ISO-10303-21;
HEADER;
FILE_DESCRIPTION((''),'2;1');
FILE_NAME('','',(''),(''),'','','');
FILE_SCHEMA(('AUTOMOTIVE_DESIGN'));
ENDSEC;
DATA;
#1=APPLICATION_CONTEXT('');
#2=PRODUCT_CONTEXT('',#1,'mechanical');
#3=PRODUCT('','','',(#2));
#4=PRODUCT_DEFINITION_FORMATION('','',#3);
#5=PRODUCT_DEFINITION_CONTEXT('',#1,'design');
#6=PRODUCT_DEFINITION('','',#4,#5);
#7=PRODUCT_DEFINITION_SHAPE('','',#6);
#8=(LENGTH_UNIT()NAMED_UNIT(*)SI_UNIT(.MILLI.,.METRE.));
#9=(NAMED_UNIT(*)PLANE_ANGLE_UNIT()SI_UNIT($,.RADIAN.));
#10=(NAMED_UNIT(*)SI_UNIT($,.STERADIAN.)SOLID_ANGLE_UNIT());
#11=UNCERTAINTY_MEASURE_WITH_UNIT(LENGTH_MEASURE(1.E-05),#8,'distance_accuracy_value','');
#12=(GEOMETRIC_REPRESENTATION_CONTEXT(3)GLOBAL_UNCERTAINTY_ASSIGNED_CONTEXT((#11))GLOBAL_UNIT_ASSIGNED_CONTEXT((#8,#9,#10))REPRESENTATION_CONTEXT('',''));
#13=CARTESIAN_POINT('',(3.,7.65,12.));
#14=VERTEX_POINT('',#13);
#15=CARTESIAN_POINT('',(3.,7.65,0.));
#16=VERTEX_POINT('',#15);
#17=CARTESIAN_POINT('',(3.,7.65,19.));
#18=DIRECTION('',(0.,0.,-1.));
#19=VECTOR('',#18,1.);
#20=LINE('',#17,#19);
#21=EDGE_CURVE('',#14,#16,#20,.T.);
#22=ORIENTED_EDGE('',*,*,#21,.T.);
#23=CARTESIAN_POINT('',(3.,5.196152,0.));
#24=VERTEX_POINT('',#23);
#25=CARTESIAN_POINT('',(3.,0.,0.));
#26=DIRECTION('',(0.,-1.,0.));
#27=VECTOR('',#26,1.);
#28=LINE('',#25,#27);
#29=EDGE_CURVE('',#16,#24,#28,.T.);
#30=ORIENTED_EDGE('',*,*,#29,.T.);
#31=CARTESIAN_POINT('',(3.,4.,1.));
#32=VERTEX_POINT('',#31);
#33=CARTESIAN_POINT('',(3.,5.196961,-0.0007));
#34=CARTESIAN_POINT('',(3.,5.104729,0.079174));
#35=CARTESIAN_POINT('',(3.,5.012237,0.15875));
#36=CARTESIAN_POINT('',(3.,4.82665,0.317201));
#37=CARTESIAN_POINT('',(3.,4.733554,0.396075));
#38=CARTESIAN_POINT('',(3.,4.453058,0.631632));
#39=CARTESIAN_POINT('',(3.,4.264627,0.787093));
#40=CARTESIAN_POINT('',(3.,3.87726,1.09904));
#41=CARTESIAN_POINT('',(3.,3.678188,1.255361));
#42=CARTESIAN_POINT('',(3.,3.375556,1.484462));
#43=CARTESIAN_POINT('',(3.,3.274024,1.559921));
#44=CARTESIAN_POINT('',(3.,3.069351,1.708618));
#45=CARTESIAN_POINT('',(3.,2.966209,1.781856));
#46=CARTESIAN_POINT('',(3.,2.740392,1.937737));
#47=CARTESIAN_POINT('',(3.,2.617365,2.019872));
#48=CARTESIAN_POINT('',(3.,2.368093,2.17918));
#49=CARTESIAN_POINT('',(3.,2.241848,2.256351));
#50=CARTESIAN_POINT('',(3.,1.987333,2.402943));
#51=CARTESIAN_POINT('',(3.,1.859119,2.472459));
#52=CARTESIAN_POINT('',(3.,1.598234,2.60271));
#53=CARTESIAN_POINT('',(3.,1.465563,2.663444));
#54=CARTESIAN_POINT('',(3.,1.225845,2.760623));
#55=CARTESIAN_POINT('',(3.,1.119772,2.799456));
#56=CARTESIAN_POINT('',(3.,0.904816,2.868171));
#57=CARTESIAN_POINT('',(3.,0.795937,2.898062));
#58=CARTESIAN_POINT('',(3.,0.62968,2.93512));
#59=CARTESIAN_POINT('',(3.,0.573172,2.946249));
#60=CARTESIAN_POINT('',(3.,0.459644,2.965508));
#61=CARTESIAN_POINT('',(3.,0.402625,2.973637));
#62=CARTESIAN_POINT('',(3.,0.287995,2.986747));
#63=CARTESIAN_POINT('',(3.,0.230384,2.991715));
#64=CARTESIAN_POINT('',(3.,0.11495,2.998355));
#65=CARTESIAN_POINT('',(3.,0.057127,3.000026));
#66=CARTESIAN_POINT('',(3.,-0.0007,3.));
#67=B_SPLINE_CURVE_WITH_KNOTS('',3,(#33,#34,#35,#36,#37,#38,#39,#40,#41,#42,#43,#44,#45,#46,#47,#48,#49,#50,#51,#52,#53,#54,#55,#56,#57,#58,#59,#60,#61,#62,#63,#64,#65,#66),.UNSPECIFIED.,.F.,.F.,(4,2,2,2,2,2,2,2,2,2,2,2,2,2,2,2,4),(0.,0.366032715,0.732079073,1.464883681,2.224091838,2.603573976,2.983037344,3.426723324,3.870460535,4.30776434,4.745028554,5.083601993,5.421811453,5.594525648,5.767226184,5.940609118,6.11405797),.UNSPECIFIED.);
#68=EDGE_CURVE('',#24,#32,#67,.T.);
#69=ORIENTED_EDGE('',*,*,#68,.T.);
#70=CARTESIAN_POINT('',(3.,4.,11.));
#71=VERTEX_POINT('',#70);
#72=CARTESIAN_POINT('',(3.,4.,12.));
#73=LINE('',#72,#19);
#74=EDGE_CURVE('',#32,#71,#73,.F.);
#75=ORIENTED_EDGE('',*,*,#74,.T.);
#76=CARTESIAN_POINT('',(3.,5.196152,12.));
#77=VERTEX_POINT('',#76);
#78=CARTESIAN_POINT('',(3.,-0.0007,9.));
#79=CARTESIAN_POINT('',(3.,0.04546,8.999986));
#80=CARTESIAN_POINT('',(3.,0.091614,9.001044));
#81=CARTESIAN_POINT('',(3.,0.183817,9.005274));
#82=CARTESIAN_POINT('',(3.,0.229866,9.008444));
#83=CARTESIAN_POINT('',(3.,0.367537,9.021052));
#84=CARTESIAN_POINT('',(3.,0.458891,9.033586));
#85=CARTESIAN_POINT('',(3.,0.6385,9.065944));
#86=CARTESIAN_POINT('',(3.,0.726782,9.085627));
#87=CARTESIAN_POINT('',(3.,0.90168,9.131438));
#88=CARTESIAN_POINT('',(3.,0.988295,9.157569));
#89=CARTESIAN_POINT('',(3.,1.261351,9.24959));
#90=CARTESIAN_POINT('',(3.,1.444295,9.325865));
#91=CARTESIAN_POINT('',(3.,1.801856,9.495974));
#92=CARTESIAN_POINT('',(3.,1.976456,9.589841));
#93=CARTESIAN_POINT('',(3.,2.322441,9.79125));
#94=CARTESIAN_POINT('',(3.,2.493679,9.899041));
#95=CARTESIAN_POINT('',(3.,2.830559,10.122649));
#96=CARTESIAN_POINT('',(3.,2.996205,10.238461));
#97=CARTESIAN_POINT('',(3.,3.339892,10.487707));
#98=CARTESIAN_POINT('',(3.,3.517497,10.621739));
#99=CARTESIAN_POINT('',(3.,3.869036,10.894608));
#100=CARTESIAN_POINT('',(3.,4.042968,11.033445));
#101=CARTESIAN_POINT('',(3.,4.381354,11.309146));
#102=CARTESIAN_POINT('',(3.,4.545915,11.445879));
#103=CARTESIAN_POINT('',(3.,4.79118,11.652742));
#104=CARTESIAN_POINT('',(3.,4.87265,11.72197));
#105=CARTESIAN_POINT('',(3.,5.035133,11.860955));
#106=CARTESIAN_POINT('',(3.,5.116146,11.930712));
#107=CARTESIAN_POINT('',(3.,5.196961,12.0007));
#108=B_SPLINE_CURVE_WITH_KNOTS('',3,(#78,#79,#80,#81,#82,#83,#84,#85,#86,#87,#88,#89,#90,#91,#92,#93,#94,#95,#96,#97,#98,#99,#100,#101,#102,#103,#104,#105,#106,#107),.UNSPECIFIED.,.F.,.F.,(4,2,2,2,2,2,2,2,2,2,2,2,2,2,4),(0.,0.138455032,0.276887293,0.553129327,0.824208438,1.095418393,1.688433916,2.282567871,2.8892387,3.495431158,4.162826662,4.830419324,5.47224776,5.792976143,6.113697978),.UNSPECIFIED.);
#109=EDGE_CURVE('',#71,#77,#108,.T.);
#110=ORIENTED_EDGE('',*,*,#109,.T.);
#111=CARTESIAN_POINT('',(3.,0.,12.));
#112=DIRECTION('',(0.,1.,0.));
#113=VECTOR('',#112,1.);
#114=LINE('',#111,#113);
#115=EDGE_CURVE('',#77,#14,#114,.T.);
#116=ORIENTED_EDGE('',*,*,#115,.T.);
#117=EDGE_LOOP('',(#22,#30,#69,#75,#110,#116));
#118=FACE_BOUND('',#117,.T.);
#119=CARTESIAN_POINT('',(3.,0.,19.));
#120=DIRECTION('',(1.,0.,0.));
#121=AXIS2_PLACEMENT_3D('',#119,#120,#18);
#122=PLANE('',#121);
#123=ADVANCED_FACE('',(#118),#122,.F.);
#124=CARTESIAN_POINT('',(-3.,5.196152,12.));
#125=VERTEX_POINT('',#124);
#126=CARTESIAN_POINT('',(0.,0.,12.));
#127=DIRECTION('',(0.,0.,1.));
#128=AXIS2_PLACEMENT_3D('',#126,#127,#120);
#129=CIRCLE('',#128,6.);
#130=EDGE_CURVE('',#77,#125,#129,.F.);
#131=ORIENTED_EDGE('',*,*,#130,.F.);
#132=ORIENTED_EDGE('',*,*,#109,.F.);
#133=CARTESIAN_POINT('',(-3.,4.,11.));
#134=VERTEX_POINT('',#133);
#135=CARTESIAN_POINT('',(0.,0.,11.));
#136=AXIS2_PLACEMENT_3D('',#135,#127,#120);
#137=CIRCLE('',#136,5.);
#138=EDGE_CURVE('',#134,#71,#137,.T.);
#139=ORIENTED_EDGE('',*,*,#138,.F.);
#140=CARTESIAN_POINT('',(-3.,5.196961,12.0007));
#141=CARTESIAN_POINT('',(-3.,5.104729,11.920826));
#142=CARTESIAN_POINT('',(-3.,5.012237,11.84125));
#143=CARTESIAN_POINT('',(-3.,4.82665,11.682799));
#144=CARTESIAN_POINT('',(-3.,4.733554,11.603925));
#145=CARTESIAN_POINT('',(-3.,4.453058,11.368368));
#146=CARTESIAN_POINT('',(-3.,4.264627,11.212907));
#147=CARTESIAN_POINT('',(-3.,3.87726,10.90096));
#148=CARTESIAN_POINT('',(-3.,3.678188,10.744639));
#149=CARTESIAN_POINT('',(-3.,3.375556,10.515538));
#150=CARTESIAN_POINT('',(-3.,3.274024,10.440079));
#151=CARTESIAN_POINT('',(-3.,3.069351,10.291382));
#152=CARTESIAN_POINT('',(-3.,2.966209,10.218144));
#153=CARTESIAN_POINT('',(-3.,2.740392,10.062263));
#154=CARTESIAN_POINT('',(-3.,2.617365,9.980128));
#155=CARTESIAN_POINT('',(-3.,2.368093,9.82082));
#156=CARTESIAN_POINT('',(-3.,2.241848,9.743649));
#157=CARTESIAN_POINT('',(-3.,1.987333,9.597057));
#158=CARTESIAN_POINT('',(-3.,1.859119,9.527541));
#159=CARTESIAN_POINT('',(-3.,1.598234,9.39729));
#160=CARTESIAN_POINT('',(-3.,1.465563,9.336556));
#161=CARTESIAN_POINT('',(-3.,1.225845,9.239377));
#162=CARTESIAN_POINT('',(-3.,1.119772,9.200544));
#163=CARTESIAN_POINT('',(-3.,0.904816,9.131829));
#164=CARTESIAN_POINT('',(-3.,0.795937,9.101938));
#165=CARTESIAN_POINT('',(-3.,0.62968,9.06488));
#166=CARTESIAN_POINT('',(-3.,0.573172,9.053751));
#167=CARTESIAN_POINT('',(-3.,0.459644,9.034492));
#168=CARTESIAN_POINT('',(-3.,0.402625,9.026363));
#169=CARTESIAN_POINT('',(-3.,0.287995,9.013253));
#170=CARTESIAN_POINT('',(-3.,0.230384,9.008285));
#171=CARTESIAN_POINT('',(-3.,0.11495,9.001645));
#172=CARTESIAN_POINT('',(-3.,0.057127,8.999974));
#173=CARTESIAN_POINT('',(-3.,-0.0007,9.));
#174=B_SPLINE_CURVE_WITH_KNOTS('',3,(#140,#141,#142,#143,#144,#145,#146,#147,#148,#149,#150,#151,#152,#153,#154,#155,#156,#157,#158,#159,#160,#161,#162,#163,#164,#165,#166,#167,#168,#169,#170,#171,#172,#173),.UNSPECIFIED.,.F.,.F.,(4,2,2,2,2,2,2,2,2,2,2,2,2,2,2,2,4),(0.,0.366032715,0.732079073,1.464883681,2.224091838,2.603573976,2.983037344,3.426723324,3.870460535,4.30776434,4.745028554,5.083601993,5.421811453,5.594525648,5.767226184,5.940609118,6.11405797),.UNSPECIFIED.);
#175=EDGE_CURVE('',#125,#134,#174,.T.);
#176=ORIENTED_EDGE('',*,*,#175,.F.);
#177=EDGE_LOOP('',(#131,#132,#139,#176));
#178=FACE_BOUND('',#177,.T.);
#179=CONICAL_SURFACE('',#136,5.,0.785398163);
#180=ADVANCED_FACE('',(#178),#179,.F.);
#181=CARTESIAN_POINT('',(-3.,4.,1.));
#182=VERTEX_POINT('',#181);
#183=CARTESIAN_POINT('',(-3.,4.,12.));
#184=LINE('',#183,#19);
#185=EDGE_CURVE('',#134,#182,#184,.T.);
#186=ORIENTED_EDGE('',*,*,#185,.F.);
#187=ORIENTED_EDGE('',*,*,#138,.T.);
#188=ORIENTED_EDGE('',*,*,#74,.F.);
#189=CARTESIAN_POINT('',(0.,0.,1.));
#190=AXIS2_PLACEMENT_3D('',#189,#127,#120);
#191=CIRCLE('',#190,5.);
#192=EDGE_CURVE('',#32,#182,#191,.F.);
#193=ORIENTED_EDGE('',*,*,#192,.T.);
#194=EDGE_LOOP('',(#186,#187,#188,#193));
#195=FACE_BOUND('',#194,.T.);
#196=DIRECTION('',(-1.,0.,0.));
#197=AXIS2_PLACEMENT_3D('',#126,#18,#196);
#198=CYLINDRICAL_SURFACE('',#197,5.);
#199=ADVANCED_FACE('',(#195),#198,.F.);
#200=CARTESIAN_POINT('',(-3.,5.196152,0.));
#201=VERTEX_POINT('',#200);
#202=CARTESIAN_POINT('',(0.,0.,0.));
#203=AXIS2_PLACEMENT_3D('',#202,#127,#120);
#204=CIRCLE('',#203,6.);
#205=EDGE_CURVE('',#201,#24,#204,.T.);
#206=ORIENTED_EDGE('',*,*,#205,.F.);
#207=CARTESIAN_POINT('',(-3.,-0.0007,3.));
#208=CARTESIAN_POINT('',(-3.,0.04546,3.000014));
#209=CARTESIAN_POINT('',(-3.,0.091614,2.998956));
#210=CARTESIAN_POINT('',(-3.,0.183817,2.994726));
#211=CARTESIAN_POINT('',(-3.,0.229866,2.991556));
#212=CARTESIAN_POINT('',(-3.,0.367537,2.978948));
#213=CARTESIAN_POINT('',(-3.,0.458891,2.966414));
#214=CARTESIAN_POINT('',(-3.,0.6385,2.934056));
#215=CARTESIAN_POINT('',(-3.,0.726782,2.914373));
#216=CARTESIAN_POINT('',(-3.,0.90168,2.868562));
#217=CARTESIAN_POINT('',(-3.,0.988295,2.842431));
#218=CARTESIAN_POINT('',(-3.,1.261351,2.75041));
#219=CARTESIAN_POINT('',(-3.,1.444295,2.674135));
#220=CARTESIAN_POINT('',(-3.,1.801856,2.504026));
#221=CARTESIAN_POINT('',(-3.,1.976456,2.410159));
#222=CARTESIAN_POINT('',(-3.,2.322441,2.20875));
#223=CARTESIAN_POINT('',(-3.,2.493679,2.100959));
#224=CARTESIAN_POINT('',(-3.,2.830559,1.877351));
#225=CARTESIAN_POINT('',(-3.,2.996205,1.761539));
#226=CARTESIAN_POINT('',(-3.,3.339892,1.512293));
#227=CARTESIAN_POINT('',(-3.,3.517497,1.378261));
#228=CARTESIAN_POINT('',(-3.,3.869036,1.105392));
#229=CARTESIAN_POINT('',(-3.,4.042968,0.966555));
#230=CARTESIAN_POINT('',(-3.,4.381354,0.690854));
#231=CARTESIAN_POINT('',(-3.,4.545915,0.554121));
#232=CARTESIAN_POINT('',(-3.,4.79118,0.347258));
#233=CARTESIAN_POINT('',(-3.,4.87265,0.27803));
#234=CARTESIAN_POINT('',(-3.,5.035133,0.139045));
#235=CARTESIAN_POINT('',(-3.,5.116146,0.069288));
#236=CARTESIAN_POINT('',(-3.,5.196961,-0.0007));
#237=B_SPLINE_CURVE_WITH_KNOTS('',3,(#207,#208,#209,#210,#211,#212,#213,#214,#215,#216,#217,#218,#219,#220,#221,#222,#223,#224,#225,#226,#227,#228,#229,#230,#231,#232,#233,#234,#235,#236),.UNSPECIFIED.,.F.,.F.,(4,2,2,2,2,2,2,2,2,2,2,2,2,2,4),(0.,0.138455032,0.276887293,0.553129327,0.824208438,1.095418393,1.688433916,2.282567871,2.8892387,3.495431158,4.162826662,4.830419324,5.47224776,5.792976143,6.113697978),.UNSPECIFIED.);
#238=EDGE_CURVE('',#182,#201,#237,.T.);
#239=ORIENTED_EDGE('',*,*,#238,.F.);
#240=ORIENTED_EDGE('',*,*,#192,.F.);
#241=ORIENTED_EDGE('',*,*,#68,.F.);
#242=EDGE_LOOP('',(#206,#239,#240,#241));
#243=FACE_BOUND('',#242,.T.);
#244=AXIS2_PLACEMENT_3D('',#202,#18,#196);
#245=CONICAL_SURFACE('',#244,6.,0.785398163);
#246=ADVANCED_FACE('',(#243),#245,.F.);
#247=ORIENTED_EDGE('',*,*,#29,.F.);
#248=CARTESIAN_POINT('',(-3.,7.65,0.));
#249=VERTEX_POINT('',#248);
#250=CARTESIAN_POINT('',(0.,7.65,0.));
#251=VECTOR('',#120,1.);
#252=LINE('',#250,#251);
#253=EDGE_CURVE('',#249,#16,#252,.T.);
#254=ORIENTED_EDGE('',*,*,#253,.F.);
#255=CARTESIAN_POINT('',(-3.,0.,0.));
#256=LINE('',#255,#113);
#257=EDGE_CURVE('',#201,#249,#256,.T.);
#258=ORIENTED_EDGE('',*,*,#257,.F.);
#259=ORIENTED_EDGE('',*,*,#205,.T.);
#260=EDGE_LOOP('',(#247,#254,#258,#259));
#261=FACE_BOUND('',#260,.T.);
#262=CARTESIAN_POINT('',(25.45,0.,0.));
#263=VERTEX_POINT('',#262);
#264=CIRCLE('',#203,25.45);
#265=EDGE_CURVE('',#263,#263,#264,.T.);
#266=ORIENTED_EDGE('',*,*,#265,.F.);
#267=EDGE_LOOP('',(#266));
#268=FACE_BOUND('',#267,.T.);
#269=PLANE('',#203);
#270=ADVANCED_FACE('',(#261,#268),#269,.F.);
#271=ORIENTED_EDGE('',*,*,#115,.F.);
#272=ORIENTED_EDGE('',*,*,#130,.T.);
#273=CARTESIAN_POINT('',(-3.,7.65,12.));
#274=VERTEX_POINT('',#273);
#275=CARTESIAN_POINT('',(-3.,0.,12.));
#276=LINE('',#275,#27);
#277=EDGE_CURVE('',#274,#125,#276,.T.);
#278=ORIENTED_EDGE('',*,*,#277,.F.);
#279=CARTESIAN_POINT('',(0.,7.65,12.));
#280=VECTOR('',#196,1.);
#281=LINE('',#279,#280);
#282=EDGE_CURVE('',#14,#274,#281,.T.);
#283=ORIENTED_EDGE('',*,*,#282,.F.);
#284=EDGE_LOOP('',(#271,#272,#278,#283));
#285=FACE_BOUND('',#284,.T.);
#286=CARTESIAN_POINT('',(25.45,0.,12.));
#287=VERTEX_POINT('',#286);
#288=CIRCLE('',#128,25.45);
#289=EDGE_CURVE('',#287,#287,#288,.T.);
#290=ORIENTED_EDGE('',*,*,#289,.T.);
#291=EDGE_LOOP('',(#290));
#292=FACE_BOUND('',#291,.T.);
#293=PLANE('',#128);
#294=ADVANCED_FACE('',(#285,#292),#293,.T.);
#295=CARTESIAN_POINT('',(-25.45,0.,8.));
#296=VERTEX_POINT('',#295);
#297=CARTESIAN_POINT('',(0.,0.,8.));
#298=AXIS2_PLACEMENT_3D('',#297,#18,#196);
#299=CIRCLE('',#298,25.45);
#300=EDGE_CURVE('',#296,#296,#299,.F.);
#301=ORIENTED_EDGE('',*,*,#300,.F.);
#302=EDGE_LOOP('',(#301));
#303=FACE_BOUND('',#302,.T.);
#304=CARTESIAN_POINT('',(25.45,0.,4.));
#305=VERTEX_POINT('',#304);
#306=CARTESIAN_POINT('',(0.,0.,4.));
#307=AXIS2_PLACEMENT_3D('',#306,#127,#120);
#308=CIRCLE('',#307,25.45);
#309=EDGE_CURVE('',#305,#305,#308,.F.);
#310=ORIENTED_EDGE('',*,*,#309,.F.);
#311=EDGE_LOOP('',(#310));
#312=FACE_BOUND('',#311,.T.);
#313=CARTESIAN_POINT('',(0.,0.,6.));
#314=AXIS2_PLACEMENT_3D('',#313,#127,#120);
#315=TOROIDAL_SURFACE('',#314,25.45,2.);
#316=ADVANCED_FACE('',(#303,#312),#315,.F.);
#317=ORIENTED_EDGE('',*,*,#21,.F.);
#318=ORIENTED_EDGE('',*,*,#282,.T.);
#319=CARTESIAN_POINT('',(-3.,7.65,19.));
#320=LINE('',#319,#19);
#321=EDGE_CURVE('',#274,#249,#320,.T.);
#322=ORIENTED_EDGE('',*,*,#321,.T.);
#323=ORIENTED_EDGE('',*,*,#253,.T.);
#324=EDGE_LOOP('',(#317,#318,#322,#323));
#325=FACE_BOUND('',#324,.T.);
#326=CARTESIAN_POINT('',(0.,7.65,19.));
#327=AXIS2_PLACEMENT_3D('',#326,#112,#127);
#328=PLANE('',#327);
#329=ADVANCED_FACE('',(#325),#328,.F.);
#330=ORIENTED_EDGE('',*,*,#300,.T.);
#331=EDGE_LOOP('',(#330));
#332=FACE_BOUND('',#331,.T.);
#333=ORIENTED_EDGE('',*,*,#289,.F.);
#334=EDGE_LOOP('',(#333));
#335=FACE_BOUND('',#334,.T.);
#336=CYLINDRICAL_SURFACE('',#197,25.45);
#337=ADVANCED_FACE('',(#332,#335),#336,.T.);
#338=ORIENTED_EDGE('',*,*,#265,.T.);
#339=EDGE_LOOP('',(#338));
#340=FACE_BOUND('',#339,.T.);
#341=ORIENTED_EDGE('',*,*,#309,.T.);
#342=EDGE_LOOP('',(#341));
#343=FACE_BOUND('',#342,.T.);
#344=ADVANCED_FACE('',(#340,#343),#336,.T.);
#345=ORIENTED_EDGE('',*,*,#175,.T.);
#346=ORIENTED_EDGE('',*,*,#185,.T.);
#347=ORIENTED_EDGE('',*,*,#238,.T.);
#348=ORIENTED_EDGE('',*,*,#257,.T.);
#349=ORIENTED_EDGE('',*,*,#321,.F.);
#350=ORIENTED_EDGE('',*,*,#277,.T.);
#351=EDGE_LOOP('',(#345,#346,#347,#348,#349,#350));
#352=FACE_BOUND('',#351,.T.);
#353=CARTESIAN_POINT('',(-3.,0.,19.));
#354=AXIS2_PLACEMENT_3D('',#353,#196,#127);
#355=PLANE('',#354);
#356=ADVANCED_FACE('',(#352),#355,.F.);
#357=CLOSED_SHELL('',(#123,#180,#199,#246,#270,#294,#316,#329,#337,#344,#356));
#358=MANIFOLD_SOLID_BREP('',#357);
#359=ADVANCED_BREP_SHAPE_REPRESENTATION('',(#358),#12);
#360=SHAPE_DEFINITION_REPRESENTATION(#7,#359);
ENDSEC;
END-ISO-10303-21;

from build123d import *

# Parameters (mm, degrees)
SKETCH_3_R          = 25.45
SKETCH_3_R_2        = 5
EXTRUDE_1_DEPTH     = 12
CHAMFER_1_SIZE      = 1
CUT_EXTRUDE_1_DEPTH = 19
SKETCH_6_R          = 2


with BuildPart() as part:
    # 草图3 → 凸台-拉伸1 (new body)
    with BuildSketch(Plane.XY):
        Circle(SKETCH_3_R)
        Circle(SKETCH_3_R_2, mode=Mode.SUBTRACT)
    extrude(amount=EXTRUDE_1_DEPTH)

    # 倒角1
    chamfer_1_edges = [part.edges().sort_by_distance(p)[0] for p in [
        (-5, 0, 0),
        (-5, 0, 12),
    ]]
    chamfer(chamfer_1_edges, length=CHAMFER_1_SIZE)

    # 草图8 → 切除-拉伸1 (cut)
    with BuildSketch(Plane(origin=(0, 0, 0), x_dir=(-1, 0, 0), z_dir=(0, 0, -1))):
        Polygon((0, 7.65), (-3, 7.65), (-3, 0), (0, 0), (3, 0), (3, 7.65), align=None)
    extrude(amount=-CUT_EXTRUDE_1_DEPTH, mode=Mode.SUBTRACT)

    # 草图6 → 切除-旋转1 (revolve, cut)
    with BuildSketch(Plane(origin=(0, 0, 0), x_dir=(1, 0, 0), z_dir=(0, 1, 0))):
        with Locations((25.45, -6)):
            Circle(SKETCH_6_R)
    revolve(axis=Axis((0, 0, 0), (0, 0, -1)), mode=Mode.SUBTRACT)


solid = part.part
